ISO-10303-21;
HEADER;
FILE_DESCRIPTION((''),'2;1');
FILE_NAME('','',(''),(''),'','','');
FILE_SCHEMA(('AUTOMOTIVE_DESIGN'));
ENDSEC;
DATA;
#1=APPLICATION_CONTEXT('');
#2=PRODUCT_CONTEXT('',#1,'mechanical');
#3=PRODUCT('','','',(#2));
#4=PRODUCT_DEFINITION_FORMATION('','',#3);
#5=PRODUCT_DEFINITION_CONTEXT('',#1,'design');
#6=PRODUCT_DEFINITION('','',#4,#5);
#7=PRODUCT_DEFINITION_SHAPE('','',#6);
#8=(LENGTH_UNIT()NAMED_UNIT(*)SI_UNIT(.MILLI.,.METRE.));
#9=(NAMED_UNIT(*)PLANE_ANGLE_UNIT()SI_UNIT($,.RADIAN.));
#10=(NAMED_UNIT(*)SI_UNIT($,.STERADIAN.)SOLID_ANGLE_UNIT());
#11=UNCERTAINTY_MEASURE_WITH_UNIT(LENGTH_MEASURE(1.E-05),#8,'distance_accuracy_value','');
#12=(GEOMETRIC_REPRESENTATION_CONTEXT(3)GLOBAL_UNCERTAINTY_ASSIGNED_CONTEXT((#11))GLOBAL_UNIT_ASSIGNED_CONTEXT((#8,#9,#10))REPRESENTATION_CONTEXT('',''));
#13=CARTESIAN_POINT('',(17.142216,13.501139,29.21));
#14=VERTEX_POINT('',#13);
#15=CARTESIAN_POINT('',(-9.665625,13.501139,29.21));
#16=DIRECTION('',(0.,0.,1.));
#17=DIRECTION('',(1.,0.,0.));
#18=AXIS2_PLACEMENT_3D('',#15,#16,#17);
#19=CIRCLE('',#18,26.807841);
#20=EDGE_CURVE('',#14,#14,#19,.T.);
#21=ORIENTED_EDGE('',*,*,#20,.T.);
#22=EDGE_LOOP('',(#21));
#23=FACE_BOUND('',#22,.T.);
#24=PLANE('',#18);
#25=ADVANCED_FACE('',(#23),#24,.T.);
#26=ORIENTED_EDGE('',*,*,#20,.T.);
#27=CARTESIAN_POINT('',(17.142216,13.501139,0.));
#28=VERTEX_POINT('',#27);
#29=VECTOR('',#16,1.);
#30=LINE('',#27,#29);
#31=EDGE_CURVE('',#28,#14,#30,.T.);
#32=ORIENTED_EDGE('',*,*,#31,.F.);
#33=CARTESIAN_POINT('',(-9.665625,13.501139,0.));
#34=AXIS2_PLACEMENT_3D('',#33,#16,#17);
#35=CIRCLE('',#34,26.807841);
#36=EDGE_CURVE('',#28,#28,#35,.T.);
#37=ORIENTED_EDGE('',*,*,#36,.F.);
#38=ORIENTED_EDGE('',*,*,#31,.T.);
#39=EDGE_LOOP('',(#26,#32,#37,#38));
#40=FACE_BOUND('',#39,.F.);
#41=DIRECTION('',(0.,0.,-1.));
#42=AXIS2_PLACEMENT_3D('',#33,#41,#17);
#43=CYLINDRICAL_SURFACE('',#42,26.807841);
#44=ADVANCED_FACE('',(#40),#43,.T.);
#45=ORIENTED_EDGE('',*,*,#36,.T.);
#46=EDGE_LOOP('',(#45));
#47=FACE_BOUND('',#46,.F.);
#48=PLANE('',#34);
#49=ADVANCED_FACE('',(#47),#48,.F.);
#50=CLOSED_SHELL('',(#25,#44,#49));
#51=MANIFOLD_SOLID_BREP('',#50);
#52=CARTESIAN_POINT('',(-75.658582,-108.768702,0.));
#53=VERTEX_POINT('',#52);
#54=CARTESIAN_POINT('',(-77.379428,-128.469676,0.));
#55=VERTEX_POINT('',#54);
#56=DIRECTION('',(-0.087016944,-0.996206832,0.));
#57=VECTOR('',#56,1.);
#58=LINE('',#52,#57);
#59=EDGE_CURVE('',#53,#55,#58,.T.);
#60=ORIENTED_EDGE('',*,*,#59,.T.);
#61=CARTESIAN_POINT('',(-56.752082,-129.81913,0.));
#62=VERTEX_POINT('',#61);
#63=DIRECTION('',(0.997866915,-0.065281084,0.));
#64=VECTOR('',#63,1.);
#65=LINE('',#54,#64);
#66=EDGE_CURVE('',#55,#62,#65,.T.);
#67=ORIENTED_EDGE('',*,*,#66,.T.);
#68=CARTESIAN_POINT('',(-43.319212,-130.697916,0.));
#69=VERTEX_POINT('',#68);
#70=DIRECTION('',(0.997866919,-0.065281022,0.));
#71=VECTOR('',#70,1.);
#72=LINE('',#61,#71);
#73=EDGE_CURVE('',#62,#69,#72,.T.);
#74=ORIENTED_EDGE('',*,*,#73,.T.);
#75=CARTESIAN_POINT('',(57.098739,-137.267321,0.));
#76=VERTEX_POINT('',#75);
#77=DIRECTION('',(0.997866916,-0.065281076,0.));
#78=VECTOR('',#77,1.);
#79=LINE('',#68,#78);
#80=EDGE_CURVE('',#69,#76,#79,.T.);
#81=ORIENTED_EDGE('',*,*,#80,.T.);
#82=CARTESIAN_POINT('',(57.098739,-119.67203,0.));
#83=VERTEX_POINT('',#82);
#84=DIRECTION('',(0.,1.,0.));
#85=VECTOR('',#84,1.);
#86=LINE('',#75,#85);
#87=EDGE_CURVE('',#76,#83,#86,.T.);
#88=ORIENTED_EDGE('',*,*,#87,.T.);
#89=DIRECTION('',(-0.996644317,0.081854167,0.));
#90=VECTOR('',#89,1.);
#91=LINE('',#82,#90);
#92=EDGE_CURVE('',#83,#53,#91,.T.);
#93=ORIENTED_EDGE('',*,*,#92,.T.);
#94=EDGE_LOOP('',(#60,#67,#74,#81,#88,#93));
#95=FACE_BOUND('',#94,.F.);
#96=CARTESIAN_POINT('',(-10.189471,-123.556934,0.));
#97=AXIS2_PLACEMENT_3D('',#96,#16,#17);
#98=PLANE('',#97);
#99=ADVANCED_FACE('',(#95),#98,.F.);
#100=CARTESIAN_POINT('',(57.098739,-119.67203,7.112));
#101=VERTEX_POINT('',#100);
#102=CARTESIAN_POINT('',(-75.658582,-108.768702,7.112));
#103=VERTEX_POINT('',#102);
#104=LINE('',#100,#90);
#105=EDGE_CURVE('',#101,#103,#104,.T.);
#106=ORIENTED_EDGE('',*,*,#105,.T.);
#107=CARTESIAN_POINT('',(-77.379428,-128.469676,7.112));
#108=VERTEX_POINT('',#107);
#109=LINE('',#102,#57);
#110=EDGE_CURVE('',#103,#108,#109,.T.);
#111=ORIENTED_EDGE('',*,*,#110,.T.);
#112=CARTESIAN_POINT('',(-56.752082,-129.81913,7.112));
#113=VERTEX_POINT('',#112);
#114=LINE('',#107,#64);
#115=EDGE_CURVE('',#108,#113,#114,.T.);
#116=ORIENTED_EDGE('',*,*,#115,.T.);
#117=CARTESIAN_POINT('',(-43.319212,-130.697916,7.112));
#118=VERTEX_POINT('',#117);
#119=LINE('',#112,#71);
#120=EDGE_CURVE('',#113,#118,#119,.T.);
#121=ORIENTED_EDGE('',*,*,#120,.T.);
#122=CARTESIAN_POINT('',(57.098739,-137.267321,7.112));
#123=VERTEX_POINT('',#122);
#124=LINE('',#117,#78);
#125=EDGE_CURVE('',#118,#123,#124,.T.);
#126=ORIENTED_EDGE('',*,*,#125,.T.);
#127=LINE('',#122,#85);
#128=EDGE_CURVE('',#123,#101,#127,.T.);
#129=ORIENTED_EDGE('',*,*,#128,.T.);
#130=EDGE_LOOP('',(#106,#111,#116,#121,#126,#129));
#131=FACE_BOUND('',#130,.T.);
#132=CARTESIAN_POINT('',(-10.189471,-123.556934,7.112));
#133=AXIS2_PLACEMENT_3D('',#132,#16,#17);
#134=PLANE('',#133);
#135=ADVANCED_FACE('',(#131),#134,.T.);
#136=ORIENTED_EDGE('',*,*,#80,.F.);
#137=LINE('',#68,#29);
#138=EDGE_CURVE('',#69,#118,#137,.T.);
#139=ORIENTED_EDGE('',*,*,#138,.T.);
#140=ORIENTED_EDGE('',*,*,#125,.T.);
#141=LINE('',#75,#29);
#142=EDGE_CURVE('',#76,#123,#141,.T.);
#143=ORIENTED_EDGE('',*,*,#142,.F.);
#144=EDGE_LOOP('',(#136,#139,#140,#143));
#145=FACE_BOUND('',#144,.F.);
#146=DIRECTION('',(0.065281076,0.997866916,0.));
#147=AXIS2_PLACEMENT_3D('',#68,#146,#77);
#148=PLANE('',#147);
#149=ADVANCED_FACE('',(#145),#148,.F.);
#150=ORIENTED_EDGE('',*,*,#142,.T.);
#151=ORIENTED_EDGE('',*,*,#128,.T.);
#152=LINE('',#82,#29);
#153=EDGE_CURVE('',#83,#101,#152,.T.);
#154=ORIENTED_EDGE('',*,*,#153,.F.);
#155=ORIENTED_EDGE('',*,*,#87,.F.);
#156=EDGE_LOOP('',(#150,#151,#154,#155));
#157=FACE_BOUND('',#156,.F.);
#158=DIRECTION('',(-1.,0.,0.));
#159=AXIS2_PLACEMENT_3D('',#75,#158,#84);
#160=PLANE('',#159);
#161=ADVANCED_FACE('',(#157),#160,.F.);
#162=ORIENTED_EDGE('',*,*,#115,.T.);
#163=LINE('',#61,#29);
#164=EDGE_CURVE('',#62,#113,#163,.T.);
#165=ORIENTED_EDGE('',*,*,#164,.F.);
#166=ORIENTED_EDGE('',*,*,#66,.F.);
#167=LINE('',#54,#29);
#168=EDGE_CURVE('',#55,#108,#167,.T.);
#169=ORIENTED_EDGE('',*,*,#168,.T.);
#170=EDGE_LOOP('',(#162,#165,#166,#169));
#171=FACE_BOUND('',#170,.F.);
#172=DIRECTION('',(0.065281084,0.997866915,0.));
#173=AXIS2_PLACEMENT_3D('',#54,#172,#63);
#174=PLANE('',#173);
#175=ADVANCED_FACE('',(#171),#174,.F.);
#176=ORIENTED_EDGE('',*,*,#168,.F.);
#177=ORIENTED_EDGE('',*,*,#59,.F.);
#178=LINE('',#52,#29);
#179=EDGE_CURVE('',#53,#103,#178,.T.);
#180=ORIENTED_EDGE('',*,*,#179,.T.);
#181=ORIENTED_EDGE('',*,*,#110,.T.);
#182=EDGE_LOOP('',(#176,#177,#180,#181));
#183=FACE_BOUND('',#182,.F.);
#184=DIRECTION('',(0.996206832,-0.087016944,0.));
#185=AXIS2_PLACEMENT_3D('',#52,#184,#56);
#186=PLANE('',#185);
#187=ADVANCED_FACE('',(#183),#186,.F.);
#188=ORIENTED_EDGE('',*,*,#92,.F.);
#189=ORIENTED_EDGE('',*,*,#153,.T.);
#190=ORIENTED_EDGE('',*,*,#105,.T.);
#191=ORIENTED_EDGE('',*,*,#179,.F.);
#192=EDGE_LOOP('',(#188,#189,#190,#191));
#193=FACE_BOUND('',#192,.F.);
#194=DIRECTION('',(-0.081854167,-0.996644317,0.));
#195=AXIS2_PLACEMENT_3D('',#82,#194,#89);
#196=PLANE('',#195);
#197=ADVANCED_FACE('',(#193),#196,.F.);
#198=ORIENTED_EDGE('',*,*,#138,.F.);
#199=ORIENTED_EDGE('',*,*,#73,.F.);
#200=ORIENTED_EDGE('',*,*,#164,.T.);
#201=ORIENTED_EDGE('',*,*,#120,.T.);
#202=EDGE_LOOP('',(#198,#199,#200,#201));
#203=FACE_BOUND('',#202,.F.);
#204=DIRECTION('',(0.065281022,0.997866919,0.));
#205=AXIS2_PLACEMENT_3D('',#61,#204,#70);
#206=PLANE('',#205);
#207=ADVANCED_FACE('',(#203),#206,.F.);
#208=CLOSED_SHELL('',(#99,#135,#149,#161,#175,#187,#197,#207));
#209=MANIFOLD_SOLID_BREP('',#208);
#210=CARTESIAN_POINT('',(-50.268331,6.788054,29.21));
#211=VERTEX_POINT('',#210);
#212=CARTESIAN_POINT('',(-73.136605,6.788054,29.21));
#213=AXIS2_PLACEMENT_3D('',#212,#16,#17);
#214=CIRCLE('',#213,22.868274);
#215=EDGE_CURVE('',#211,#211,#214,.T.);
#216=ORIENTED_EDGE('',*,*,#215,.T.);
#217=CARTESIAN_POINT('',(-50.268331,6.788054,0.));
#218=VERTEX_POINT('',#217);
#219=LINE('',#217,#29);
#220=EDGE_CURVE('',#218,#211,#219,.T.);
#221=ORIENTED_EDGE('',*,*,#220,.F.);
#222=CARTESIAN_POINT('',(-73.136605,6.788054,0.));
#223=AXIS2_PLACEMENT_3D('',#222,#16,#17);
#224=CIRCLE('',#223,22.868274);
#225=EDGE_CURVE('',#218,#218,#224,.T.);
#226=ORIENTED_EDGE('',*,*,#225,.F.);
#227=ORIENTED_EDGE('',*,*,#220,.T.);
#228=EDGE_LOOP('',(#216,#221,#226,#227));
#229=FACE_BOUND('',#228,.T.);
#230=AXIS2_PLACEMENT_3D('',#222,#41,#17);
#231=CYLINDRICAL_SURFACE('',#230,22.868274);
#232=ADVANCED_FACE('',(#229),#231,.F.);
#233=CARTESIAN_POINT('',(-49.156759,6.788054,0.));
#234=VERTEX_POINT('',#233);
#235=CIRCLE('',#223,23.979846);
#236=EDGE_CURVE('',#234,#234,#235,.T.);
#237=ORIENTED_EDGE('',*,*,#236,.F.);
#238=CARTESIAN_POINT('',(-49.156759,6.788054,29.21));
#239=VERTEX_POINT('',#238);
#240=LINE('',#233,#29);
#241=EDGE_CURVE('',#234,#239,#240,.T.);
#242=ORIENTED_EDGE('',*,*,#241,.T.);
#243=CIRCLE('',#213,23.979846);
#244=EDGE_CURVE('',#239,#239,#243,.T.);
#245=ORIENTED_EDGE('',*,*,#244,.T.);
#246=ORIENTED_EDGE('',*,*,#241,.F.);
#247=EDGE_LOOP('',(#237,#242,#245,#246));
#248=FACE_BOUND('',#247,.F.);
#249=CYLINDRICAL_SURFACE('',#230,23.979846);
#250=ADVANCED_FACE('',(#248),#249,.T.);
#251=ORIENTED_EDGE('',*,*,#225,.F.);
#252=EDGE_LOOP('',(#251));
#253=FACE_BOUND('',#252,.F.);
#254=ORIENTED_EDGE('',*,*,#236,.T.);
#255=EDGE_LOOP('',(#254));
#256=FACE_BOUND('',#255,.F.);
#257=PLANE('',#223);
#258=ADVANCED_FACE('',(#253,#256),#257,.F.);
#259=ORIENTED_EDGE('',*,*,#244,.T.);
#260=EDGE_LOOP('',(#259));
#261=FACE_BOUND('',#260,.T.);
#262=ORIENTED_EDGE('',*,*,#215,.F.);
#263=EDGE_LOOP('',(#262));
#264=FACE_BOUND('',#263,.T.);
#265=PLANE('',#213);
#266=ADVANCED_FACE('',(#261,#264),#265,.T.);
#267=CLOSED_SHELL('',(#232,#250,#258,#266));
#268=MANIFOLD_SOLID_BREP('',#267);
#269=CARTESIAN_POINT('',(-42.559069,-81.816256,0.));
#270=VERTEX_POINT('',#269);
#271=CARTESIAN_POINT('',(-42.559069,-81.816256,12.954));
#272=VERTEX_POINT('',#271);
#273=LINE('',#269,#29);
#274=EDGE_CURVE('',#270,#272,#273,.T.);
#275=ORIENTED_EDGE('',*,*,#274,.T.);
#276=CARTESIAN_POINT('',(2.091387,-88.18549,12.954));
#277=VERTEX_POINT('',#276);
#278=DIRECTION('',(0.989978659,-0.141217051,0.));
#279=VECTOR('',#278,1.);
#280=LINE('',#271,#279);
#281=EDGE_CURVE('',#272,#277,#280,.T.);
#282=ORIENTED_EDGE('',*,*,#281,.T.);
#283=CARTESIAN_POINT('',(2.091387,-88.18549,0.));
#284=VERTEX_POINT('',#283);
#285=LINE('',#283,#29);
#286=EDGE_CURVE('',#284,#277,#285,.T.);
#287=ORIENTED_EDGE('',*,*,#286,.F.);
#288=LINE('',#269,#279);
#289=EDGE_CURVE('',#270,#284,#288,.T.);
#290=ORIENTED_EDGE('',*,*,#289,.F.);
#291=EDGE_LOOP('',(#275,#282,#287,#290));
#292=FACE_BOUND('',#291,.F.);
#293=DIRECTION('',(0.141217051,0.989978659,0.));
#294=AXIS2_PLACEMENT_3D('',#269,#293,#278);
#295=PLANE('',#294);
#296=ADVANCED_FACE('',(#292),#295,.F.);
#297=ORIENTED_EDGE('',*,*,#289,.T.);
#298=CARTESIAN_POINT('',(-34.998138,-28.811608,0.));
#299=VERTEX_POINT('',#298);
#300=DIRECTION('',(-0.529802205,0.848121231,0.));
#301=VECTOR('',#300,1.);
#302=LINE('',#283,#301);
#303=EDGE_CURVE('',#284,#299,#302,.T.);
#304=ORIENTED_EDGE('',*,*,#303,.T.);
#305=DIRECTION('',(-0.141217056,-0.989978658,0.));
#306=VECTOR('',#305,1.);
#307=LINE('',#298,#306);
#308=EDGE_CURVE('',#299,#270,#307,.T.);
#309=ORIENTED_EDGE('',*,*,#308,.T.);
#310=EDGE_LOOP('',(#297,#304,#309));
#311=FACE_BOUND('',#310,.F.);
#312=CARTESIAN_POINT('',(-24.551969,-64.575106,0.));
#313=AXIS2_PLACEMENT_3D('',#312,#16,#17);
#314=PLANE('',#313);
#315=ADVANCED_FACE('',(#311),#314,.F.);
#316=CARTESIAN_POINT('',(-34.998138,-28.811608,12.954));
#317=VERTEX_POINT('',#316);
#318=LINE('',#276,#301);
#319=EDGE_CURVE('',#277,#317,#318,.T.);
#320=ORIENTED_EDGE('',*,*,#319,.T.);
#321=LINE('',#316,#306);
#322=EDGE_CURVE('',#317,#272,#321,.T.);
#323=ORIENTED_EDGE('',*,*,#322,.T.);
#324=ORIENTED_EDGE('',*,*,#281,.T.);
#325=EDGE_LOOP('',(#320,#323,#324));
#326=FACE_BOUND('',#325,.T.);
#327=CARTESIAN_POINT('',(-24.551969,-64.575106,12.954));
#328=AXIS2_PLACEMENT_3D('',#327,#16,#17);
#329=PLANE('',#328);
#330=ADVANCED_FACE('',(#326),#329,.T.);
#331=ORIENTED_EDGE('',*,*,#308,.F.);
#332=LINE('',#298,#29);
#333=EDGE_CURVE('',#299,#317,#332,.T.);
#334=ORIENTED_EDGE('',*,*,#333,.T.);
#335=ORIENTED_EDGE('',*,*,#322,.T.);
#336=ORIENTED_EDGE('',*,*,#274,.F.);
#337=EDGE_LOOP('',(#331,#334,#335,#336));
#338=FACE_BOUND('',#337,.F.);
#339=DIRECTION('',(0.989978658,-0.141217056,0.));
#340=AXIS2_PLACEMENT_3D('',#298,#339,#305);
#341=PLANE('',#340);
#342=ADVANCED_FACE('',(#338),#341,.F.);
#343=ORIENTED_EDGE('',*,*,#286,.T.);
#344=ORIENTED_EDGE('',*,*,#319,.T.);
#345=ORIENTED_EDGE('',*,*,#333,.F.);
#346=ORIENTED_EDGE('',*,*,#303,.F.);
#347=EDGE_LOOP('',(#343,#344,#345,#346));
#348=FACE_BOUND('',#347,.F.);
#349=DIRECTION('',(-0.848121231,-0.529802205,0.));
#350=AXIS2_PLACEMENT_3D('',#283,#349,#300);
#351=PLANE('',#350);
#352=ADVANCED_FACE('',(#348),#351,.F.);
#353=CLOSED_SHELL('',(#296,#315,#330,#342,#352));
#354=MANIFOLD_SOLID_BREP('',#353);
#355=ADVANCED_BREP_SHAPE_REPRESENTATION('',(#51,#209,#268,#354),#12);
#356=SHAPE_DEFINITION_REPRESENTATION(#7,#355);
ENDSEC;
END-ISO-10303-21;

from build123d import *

# Parameters (mm, degrees)
F0_R     = 26.807841
F0_R_2   = 23.979846
F0_R_3   = 22.868274
F1_DEPTH = 29.21
F3_DEPTH = 12.954
F5_DEPTH = 7.112


with BuildPart() as f1:
    # F0 (on Top) → F1 (new body)
    with BuildSketch(Plane.XY):
        with Locations((-9.665625, 13.501139)):
            Circle(F0_R)
        with Locations((-73.136605, 6.788054)):
            Circle(F0_R_2)
        with Locations((-73.136605, 6.788054)):
            Circle(F0_R_3, mode=Mode.SUBTRACT)
    extrude(amount=F1_DEPTH)


with BuildPart() as f3:
    # F2 (on Top) → F3 (new body)
    with BuildSketch(Plane.XY):
        Polygon((2.091387, -88.18549), (-34.998138, -28.811608), (-42.559069, -81.816256), align=None)
    extrude(amount=F3_DEPTH)


with BuildPart() as f5:
    # F4 (on Top) → F5 (new body)
    with BuildSketch(Plane.XY):
        Polygon((57.098739, -119.67203), (-75.658582, -108.768702), (-77.379428, -128.469676), (-56.752082, -129.81913), (-43.319212, -130.697916), (57.098739, -137.267321), align=None)
    extrude(amount=F5_DEPTH)


solid = Compound([f1.part, f3.part, f5.part])
